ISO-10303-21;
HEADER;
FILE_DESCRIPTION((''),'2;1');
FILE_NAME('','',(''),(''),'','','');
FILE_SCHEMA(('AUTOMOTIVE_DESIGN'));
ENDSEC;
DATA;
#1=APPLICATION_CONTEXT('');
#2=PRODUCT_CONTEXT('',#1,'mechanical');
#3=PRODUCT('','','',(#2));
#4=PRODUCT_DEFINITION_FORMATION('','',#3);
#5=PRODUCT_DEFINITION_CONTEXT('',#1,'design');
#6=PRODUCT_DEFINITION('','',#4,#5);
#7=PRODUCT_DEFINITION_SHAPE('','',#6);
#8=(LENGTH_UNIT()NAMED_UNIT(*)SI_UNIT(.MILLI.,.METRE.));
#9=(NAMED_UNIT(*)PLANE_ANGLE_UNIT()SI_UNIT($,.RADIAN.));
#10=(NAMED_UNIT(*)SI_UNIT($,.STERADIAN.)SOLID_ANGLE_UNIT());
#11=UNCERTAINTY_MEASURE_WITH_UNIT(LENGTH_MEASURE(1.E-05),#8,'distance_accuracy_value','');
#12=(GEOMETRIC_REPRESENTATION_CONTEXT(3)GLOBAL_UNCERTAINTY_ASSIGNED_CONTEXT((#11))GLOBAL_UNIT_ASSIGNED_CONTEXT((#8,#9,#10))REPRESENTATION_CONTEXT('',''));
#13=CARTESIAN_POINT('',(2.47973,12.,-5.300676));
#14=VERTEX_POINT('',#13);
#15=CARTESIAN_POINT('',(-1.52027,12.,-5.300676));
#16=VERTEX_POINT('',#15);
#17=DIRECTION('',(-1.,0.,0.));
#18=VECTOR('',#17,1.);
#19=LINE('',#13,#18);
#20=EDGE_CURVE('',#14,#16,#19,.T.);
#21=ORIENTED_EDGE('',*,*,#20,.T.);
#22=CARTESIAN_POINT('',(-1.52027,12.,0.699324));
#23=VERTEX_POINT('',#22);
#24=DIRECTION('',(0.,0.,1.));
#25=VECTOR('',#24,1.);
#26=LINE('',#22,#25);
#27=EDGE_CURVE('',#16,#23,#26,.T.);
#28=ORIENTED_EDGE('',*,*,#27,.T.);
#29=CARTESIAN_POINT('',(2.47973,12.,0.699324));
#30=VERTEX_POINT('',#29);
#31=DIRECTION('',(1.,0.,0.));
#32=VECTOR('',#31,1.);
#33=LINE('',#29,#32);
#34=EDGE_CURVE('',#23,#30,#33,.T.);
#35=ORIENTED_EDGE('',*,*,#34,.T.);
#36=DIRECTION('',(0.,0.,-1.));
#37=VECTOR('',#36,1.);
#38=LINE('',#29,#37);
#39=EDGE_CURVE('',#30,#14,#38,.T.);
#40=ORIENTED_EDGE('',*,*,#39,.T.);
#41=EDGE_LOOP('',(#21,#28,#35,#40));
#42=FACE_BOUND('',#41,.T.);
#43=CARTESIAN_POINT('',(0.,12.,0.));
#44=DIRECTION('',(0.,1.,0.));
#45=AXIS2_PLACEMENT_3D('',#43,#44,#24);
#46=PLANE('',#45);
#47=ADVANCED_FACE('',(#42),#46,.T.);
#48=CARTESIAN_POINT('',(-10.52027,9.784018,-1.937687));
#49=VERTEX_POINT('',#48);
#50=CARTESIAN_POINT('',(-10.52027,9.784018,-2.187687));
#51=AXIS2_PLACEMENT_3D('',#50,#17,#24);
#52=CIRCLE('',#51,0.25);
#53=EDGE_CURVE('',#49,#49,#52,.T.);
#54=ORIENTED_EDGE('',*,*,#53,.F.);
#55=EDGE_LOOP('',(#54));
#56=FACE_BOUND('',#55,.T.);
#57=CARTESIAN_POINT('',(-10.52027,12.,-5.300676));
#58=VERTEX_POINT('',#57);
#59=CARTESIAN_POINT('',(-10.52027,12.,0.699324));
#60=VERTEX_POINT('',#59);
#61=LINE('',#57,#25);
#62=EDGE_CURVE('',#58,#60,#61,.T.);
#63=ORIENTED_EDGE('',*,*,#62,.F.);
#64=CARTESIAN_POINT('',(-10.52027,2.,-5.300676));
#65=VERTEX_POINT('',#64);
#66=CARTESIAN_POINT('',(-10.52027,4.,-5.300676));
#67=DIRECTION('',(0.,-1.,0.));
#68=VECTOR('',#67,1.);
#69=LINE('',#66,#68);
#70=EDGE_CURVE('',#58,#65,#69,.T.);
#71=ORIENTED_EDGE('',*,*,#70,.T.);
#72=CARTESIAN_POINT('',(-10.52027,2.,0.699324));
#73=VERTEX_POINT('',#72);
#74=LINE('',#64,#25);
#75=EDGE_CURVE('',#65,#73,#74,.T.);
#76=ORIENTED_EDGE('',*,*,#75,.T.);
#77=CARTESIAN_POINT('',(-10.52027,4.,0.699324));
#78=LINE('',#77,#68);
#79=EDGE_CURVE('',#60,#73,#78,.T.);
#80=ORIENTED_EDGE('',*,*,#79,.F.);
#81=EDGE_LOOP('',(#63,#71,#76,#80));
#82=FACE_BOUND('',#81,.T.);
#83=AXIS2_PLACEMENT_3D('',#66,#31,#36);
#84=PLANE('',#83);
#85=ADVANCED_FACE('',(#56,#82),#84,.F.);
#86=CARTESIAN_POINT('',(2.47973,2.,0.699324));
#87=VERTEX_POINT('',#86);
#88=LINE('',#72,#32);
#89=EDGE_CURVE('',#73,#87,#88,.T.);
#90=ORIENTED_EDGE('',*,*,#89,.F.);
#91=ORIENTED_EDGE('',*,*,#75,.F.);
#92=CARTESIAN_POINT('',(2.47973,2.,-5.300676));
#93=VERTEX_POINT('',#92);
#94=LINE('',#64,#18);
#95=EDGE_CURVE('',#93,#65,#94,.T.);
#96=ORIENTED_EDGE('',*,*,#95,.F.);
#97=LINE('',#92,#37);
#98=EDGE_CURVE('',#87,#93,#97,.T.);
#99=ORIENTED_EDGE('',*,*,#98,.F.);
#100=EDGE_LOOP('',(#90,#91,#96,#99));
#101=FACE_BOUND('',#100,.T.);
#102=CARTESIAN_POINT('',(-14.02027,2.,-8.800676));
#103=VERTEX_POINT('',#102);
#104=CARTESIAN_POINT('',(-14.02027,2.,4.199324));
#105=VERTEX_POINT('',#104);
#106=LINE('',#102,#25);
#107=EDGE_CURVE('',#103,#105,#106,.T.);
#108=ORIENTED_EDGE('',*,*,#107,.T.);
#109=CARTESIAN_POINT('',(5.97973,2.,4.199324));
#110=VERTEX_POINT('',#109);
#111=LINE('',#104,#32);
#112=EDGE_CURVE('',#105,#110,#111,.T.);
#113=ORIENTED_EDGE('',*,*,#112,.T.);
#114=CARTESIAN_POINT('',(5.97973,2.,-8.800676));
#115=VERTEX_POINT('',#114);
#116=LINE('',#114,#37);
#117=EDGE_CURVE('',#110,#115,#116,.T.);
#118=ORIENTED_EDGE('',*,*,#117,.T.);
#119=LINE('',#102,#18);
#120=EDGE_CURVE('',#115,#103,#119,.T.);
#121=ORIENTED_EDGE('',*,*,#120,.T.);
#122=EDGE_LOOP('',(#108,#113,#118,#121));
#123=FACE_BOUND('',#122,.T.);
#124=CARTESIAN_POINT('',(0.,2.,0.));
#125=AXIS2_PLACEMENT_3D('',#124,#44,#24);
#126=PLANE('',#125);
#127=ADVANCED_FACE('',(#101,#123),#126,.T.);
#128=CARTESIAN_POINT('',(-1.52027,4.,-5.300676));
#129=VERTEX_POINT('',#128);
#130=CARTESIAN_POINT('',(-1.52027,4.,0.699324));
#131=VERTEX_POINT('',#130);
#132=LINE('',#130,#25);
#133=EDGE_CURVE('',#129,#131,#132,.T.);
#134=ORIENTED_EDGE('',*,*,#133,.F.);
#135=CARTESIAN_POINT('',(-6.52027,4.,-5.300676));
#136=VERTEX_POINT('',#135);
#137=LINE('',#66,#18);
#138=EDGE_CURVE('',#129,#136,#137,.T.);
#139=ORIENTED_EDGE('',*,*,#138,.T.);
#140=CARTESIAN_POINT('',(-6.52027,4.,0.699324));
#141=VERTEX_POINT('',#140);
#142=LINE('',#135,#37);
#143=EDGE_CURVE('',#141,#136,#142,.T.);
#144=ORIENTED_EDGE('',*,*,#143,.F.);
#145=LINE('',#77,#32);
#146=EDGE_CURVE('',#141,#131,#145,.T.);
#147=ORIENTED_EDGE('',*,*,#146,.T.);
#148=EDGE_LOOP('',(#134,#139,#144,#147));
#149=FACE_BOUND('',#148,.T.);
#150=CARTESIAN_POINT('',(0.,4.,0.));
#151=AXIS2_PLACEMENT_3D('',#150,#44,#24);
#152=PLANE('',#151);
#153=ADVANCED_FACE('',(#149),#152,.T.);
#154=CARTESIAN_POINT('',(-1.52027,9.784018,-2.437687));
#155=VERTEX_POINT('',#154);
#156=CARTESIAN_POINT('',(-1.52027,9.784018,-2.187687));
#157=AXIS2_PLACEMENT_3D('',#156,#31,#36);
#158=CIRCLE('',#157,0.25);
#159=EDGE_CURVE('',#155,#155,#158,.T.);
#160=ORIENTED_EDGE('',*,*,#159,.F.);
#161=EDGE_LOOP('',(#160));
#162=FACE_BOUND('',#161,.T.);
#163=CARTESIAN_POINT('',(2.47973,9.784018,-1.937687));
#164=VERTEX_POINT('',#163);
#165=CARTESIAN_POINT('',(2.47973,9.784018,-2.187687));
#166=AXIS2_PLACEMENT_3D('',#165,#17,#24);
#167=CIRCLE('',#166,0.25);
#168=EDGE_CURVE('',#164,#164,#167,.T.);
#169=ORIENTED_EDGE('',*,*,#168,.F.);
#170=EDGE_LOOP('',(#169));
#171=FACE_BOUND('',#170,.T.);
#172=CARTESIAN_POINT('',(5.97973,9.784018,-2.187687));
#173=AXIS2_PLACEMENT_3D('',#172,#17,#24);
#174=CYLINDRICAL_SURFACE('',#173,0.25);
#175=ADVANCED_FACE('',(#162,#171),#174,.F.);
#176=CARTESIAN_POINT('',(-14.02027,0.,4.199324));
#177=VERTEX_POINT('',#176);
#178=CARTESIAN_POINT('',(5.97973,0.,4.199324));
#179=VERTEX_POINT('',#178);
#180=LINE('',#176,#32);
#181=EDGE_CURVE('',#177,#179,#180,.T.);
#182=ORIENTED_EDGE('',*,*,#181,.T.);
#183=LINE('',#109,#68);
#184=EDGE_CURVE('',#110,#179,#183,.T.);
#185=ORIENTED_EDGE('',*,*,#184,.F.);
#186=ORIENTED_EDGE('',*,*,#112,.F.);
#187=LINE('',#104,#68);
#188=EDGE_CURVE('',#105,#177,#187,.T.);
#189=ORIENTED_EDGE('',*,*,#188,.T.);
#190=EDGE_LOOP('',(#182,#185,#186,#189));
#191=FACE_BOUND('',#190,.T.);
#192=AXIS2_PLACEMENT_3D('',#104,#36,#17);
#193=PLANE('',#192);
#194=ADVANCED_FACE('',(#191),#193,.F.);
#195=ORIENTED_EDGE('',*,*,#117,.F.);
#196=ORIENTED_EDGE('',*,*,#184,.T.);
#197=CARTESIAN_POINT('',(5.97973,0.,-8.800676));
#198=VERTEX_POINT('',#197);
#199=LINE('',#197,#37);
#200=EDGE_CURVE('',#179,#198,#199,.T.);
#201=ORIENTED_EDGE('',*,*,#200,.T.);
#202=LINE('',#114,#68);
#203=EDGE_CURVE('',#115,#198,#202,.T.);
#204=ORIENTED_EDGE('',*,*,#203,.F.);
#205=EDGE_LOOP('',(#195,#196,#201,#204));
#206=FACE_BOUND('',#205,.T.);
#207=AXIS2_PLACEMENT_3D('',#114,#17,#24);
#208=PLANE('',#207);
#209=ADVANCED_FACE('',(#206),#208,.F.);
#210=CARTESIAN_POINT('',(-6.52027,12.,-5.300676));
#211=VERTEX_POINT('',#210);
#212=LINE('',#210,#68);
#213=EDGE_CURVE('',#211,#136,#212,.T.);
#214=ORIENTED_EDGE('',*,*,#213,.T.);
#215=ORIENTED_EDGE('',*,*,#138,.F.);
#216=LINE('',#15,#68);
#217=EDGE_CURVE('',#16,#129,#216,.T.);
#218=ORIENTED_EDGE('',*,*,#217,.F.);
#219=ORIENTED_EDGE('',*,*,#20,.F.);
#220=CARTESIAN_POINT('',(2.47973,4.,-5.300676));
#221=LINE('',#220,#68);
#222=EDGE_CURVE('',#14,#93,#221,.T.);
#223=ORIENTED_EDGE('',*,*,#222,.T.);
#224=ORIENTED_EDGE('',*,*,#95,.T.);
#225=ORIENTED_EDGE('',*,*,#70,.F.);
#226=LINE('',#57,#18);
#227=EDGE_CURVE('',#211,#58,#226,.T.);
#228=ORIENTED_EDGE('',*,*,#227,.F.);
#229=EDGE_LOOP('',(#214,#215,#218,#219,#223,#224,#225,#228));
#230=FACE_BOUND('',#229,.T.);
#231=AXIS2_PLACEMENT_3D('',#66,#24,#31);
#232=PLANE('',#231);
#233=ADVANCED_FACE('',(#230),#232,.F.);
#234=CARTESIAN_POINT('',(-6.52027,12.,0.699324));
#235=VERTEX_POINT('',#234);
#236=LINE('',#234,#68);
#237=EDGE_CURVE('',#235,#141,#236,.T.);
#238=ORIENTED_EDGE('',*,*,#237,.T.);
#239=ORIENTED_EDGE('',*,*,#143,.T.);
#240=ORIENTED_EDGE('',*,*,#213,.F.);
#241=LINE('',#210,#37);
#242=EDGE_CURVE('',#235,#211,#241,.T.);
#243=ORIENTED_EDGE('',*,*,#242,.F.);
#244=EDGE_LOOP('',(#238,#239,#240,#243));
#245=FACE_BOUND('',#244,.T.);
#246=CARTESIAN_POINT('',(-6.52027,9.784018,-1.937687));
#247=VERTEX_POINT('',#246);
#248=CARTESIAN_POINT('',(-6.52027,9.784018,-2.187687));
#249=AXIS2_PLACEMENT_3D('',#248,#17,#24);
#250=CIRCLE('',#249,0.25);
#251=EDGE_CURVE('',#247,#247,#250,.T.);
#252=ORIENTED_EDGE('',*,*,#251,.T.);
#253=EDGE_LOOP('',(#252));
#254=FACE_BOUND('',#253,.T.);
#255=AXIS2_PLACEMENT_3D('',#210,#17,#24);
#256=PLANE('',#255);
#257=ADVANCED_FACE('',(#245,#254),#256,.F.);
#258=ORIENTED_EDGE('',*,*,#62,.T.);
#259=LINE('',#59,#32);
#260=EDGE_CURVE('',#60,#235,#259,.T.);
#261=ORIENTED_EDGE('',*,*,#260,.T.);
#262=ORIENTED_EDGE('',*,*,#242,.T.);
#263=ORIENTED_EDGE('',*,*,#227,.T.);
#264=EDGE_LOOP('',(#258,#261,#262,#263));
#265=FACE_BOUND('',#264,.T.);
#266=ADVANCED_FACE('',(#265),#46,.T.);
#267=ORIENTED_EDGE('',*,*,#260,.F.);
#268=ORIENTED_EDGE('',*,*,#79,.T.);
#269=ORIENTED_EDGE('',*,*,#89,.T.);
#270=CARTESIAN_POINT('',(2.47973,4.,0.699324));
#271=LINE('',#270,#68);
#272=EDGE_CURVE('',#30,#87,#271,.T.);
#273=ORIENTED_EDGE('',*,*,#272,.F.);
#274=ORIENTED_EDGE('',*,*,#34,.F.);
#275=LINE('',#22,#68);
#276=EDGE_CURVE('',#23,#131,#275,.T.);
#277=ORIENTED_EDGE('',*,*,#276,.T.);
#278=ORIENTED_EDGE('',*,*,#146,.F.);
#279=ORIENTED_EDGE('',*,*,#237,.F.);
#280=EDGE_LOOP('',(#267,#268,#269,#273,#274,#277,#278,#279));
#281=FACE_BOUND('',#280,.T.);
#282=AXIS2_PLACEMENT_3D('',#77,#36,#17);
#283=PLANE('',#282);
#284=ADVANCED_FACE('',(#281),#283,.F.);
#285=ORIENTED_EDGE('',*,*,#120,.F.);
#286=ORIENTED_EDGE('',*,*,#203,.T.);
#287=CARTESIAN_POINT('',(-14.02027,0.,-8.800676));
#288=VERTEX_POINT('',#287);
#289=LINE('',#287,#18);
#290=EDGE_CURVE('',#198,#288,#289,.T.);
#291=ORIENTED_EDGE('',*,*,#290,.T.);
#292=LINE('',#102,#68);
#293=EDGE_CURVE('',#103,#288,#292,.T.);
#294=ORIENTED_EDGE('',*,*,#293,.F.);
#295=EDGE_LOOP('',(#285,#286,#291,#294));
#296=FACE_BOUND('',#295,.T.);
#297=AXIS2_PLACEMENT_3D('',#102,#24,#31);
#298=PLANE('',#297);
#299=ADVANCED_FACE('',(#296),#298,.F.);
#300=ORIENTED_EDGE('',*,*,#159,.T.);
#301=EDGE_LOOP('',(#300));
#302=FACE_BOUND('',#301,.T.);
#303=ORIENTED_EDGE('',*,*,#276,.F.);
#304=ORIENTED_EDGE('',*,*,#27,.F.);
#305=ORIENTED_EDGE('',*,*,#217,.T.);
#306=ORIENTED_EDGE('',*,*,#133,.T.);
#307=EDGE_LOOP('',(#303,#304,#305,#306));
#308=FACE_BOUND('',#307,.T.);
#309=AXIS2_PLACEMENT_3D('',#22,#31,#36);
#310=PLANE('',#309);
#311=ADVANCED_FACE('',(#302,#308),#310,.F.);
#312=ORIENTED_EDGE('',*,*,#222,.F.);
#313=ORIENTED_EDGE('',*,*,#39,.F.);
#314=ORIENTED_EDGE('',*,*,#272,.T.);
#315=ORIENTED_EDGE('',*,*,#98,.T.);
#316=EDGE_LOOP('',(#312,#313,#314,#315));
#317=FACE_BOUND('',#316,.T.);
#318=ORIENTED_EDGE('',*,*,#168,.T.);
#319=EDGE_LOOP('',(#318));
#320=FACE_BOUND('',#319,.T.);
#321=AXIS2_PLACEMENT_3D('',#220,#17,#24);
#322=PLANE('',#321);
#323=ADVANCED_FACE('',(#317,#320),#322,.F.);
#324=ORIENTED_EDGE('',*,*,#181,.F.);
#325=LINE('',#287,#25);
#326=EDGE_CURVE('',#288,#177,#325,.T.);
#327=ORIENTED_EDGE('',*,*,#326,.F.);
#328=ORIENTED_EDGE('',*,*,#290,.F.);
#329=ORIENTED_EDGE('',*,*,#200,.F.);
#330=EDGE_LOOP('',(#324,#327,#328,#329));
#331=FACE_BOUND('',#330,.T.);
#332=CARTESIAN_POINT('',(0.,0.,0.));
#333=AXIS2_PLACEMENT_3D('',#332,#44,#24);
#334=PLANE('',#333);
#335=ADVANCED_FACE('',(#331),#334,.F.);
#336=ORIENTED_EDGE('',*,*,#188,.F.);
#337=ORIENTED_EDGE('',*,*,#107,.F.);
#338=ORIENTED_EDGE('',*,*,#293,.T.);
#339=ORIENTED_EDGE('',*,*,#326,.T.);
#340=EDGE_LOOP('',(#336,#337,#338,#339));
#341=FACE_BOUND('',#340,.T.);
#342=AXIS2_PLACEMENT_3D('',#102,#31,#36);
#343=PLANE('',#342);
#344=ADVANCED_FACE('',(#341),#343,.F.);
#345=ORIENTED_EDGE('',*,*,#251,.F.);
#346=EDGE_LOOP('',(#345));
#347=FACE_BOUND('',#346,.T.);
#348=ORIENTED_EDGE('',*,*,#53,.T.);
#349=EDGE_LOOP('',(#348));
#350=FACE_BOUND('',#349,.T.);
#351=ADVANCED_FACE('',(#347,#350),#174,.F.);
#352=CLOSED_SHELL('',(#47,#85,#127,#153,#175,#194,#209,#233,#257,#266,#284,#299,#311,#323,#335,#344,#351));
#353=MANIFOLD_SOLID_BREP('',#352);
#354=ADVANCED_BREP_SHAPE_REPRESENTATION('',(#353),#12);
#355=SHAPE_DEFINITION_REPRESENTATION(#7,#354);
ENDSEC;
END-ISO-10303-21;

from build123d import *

# Parameters (mm, degrees)
SKETCH_1_W          = 20
SKETCH_1_H          = 13
EXTRUDE_1_DEPTH     = 2
SKETCH_2_W          = 13
SKETCH_2_H          = 6
EXTRUDE_2_DEPTH     = 2
SKETCH_3_W          = 4
SKETCH_3_H          = 6
EXTRUDE_3_DEPTH     = 8
SKETCH_4_R          = 0.25
CUT_EXTRUDE_1_DEPTH = 23.21940351


with BuildPart() as part:
    # 草图1 → 凸台-拉伸1 (new body)
    with BuildSketch(Plane(origin=(0, 0, 0), x_dir=(1, 0, 0), z_dir=(0, 1, 0))):
        with Locations((-4.02027027, 2.300675676)):
            Rectangle(SKETCH_1_W, SKETCH_1_H)
    extrude(amount=EXTRUDE_1_DEPTH)

    # 草图2 → 凸台-拉伸2 (add)
    with BuildSketch(Plane(origin=(0, 2, 0), x_dir=(1, 0, 0), z_dir=(0, 1, 0))):
        with Locations((-4.02027027, 2.300675676)):
            Rectangle(SKETCH_2_W, SKETCH_2_H)
    extrude(amount=EXTRUDE_2_DEPTH)

    # 草图3 → 凸台-拉伸3 (add)
    with BuildSketch(Plane(origin=(0, 4, 0), x_dir=(1, 0, 0), z_dir=(0, 1, 0))):
        with Locations((-8.52027027, 2.300675676)):
            Rectangle(SKETCH_3_W, SKETCH_3_H)
        with Locations((0.47972973, 2.300675676)):
            Rectangle(SKETCH_3_W, SKETCH_3_H)
    extrude(amount=EXTRUDE_3_DEPTH)

    # 草图4 → 切除-拉伸1 (cut, through all)
    with BuildSketch(Plane.ZY.offset(10.52027027)):
        with Locations((-2.187687032, 9.784017998)):
            Circle(SKETCH_4_R)
    extrude(amount=-CUT_EXTRUDE_1_DEPTH, mode=Mode.SUBTRACT)


solid = part.part
